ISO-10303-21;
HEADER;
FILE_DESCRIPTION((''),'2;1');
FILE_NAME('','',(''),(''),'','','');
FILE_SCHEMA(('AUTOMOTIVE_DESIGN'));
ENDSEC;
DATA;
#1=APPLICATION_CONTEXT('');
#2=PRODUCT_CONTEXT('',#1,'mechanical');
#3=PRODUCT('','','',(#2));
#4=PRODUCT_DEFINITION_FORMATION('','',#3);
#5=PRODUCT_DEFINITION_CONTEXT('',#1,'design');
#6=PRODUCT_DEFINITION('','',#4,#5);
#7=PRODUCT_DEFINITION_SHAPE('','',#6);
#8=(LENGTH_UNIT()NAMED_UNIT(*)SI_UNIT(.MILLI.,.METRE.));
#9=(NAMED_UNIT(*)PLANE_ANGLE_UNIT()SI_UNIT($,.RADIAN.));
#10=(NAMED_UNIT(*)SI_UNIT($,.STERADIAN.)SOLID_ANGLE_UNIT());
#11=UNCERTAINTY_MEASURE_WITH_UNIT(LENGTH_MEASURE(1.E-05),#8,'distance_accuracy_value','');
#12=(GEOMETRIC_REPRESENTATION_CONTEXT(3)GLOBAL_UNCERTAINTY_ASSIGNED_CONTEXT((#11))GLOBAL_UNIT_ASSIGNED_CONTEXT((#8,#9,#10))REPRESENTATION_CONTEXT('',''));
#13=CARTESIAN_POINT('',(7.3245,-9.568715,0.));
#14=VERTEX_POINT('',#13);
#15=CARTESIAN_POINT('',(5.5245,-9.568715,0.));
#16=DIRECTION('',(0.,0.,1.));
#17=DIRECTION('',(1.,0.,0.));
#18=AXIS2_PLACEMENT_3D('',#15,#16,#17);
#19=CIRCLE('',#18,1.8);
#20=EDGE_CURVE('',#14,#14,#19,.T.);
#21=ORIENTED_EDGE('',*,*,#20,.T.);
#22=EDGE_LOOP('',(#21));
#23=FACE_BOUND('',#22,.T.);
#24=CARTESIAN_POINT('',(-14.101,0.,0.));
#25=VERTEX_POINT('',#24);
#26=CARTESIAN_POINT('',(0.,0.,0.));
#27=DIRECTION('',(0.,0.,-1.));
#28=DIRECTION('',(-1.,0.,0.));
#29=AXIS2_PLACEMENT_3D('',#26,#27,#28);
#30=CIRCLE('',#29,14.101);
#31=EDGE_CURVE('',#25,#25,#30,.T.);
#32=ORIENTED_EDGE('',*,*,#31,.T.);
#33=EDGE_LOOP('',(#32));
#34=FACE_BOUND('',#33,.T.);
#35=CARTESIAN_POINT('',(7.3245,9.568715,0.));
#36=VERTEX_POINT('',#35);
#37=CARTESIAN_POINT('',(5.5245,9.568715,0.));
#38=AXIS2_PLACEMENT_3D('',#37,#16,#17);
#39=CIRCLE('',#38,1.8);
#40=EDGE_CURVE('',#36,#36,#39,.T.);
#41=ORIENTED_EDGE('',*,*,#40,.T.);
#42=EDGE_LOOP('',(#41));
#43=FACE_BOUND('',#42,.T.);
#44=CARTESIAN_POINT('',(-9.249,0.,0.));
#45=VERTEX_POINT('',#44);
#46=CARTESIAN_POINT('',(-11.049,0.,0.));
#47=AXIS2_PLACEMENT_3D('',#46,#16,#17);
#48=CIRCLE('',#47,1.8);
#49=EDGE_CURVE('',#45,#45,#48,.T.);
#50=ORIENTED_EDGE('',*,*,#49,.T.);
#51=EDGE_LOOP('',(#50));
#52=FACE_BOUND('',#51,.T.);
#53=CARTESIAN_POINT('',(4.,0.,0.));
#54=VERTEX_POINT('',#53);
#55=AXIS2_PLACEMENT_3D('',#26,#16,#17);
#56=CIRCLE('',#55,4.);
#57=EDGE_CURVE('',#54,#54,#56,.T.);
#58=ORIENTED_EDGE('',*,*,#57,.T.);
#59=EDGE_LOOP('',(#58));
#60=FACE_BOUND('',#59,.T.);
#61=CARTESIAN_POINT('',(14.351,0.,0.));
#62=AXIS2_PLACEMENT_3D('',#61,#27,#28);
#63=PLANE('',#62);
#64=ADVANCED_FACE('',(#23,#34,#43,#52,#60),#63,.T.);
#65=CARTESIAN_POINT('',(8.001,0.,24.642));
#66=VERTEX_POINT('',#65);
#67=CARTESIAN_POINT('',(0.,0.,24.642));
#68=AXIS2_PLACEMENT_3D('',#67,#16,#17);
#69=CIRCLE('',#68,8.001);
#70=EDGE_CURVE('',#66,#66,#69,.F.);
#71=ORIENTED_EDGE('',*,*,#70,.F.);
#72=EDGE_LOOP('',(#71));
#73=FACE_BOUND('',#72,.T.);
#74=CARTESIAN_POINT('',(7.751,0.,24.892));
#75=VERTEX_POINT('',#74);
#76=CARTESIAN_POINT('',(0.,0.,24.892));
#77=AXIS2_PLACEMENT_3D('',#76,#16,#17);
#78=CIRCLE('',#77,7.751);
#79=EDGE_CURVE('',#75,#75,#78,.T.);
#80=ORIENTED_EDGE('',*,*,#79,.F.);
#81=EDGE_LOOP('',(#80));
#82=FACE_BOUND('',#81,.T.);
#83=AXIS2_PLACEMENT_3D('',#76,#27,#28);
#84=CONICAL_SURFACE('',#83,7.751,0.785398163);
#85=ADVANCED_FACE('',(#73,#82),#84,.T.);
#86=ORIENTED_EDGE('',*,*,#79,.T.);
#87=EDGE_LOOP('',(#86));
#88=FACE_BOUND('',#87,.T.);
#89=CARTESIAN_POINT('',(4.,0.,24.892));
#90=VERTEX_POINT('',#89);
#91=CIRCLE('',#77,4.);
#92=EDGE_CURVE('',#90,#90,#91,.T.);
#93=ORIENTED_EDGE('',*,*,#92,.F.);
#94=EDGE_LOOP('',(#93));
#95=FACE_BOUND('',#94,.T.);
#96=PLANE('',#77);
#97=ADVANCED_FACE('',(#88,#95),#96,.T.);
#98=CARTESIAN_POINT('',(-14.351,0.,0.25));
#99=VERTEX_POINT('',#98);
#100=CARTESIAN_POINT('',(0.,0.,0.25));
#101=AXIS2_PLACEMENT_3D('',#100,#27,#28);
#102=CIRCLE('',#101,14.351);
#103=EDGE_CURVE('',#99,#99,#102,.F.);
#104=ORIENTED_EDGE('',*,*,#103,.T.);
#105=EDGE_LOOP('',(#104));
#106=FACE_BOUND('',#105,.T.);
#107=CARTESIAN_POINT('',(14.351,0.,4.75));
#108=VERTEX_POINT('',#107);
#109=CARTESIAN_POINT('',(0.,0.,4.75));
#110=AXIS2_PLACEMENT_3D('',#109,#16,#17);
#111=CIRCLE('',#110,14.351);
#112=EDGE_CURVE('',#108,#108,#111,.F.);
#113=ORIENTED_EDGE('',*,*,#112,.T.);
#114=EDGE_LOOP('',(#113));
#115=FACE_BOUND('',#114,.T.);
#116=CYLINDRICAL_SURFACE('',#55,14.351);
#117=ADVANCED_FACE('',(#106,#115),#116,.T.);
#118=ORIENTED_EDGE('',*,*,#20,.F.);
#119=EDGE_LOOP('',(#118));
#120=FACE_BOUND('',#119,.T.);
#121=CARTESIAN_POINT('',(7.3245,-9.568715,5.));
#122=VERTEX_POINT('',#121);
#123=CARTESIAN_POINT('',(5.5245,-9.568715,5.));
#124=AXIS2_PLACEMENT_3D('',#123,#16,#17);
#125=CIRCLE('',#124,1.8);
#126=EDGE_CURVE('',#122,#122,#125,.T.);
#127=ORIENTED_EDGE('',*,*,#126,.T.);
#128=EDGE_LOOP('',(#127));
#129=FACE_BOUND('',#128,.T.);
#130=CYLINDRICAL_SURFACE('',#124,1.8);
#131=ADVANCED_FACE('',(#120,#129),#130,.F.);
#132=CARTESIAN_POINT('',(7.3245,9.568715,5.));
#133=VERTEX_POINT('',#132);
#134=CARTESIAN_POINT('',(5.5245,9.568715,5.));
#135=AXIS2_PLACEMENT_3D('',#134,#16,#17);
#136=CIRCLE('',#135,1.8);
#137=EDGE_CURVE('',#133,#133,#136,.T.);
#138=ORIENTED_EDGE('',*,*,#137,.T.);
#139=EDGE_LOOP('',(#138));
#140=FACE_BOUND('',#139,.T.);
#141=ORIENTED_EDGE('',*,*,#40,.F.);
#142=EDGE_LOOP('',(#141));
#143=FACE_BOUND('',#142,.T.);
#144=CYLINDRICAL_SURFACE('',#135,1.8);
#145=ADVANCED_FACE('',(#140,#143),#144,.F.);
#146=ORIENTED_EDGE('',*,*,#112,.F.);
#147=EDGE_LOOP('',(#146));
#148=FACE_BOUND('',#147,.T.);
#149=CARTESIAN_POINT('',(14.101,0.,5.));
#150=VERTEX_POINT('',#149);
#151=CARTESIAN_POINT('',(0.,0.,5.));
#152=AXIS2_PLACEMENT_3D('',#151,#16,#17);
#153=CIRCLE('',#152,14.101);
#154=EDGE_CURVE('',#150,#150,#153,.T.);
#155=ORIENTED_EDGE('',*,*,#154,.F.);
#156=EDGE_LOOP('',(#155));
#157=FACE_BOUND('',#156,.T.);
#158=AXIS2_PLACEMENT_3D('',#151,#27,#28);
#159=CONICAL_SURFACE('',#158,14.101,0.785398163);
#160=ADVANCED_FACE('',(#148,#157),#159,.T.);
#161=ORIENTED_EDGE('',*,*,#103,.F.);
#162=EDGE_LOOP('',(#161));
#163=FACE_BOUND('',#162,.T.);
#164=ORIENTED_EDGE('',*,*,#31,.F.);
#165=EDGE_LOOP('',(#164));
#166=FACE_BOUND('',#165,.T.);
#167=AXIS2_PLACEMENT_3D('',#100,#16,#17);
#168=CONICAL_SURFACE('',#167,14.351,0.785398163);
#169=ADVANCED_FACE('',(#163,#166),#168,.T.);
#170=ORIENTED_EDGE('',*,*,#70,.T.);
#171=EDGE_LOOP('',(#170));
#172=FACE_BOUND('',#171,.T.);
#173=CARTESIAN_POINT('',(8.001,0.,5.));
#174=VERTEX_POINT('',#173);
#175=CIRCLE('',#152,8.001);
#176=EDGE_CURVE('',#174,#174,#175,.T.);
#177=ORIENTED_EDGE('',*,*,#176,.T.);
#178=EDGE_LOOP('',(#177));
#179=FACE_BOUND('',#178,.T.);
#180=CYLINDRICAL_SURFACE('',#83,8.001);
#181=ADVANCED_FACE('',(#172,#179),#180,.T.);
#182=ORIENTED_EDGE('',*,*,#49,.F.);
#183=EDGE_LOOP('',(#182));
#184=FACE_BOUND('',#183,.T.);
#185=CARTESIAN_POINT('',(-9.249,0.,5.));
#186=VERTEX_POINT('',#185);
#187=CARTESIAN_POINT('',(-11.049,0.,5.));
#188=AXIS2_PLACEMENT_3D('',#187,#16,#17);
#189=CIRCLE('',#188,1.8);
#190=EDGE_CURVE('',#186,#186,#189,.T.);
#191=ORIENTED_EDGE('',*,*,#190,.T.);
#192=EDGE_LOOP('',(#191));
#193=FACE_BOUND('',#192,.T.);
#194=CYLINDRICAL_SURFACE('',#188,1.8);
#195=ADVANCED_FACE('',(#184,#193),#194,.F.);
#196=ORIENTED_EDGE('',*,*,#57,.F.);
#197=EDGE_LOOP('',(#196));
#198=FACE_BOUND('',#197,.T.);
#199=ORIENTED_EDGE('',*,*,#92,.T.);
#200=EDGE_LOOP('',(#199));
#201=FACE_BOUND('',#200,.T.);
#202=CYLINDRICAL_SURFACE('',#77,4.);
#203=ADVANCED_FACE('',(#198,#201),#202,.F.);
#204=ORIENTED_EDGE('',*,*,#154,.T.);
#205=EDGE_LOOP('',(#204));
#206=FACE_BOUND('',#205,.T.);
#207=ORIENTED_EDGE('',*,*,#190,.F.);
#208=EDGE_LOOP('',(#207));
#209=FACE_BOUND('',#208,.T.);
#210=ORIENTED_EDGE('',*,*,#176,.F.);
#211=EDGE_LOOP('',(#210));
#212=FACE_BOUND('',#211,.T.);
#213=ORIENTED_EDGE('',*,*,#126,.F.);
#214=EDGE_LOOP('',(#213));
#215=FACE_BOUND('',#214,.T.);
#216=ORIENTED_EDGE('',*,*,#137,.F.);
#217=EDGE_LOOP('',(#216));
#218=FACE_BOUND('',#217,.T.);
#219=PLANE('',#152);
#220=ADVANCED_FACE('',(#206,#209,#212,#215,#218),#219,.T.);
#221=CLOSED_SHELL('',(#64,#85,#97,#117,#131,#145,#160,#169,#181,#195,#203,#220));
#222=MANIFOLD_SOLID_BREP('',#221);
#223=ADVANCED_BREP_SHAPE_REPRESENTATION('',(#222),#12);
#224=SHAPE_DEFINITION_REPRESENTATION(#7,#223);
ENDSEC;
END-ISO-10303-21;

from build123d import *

# Parameters (mm, degrees)
SKETCH1_W                  = 14.351
SKETCH1_H                  = 5
SKETCH2_R                  = 8.001
BOSS_EXTRUDE1_DEPTH        = 19.892
F_3_6_3_6_DIAMETER_HOLE1_D = 3.6
F_8_0_8_DIAMETER_HOLE1_D   = 8
CHAMFER1_SIZE              = 0.25


with BuildPart() as part:
    # Sketch1 → Revolve1 (revolve)
    with BuildSketch(Plane(origin=(0, 0, 0), x_dir=(1, 0, 0), z_dir=(0, 1, 0))):
        with Locations((7.1755, -2.5)):
            Rectangle(SKETCH1_W, SKETCH1_H)
    revolve(axis=Axis((0, 0, 0), (0, 0, 1)))

    # Sketch2 → Boss-Extrude1 (add)
    with BuildSketch(Plane.XY.offset(5)):
        Circle(SKETCH2_R)
    extrude(amount=BOSS_EXTRUDE1_DEPTH)

    # Ø3.6 (3.6) Diameter Hole1 (through all)
    with Locations(Plane.XY.offset(5)):
        with Locations((5.5245, -9.568714686), (-11.049, 0), (5.5245, 9.568714686)):
            Hole(F_3_6_3_6_DIAMETER_HOLE1_D / 2)

    # Ø8.0 (8) Diameter Hole1 (through all)
    with Locations(Plane.XY.offset(24.892)):
        with Locations((0, 0)):
            Hole(F_8_0_8_DIAMETER_HOLE1_D / 2)

    # Chamfer1
    chamfer1_edges = [part.edges().sort_by_distance(p)[0] for p in [
        (-14.351, 0, 5),
        (-14.351, 0, 0),
        (-8.001, 0, 24.892),
    ]]
    chamfer(chamfer1_edges, length=CHAMFER1_SIZE)


solid = part.part
